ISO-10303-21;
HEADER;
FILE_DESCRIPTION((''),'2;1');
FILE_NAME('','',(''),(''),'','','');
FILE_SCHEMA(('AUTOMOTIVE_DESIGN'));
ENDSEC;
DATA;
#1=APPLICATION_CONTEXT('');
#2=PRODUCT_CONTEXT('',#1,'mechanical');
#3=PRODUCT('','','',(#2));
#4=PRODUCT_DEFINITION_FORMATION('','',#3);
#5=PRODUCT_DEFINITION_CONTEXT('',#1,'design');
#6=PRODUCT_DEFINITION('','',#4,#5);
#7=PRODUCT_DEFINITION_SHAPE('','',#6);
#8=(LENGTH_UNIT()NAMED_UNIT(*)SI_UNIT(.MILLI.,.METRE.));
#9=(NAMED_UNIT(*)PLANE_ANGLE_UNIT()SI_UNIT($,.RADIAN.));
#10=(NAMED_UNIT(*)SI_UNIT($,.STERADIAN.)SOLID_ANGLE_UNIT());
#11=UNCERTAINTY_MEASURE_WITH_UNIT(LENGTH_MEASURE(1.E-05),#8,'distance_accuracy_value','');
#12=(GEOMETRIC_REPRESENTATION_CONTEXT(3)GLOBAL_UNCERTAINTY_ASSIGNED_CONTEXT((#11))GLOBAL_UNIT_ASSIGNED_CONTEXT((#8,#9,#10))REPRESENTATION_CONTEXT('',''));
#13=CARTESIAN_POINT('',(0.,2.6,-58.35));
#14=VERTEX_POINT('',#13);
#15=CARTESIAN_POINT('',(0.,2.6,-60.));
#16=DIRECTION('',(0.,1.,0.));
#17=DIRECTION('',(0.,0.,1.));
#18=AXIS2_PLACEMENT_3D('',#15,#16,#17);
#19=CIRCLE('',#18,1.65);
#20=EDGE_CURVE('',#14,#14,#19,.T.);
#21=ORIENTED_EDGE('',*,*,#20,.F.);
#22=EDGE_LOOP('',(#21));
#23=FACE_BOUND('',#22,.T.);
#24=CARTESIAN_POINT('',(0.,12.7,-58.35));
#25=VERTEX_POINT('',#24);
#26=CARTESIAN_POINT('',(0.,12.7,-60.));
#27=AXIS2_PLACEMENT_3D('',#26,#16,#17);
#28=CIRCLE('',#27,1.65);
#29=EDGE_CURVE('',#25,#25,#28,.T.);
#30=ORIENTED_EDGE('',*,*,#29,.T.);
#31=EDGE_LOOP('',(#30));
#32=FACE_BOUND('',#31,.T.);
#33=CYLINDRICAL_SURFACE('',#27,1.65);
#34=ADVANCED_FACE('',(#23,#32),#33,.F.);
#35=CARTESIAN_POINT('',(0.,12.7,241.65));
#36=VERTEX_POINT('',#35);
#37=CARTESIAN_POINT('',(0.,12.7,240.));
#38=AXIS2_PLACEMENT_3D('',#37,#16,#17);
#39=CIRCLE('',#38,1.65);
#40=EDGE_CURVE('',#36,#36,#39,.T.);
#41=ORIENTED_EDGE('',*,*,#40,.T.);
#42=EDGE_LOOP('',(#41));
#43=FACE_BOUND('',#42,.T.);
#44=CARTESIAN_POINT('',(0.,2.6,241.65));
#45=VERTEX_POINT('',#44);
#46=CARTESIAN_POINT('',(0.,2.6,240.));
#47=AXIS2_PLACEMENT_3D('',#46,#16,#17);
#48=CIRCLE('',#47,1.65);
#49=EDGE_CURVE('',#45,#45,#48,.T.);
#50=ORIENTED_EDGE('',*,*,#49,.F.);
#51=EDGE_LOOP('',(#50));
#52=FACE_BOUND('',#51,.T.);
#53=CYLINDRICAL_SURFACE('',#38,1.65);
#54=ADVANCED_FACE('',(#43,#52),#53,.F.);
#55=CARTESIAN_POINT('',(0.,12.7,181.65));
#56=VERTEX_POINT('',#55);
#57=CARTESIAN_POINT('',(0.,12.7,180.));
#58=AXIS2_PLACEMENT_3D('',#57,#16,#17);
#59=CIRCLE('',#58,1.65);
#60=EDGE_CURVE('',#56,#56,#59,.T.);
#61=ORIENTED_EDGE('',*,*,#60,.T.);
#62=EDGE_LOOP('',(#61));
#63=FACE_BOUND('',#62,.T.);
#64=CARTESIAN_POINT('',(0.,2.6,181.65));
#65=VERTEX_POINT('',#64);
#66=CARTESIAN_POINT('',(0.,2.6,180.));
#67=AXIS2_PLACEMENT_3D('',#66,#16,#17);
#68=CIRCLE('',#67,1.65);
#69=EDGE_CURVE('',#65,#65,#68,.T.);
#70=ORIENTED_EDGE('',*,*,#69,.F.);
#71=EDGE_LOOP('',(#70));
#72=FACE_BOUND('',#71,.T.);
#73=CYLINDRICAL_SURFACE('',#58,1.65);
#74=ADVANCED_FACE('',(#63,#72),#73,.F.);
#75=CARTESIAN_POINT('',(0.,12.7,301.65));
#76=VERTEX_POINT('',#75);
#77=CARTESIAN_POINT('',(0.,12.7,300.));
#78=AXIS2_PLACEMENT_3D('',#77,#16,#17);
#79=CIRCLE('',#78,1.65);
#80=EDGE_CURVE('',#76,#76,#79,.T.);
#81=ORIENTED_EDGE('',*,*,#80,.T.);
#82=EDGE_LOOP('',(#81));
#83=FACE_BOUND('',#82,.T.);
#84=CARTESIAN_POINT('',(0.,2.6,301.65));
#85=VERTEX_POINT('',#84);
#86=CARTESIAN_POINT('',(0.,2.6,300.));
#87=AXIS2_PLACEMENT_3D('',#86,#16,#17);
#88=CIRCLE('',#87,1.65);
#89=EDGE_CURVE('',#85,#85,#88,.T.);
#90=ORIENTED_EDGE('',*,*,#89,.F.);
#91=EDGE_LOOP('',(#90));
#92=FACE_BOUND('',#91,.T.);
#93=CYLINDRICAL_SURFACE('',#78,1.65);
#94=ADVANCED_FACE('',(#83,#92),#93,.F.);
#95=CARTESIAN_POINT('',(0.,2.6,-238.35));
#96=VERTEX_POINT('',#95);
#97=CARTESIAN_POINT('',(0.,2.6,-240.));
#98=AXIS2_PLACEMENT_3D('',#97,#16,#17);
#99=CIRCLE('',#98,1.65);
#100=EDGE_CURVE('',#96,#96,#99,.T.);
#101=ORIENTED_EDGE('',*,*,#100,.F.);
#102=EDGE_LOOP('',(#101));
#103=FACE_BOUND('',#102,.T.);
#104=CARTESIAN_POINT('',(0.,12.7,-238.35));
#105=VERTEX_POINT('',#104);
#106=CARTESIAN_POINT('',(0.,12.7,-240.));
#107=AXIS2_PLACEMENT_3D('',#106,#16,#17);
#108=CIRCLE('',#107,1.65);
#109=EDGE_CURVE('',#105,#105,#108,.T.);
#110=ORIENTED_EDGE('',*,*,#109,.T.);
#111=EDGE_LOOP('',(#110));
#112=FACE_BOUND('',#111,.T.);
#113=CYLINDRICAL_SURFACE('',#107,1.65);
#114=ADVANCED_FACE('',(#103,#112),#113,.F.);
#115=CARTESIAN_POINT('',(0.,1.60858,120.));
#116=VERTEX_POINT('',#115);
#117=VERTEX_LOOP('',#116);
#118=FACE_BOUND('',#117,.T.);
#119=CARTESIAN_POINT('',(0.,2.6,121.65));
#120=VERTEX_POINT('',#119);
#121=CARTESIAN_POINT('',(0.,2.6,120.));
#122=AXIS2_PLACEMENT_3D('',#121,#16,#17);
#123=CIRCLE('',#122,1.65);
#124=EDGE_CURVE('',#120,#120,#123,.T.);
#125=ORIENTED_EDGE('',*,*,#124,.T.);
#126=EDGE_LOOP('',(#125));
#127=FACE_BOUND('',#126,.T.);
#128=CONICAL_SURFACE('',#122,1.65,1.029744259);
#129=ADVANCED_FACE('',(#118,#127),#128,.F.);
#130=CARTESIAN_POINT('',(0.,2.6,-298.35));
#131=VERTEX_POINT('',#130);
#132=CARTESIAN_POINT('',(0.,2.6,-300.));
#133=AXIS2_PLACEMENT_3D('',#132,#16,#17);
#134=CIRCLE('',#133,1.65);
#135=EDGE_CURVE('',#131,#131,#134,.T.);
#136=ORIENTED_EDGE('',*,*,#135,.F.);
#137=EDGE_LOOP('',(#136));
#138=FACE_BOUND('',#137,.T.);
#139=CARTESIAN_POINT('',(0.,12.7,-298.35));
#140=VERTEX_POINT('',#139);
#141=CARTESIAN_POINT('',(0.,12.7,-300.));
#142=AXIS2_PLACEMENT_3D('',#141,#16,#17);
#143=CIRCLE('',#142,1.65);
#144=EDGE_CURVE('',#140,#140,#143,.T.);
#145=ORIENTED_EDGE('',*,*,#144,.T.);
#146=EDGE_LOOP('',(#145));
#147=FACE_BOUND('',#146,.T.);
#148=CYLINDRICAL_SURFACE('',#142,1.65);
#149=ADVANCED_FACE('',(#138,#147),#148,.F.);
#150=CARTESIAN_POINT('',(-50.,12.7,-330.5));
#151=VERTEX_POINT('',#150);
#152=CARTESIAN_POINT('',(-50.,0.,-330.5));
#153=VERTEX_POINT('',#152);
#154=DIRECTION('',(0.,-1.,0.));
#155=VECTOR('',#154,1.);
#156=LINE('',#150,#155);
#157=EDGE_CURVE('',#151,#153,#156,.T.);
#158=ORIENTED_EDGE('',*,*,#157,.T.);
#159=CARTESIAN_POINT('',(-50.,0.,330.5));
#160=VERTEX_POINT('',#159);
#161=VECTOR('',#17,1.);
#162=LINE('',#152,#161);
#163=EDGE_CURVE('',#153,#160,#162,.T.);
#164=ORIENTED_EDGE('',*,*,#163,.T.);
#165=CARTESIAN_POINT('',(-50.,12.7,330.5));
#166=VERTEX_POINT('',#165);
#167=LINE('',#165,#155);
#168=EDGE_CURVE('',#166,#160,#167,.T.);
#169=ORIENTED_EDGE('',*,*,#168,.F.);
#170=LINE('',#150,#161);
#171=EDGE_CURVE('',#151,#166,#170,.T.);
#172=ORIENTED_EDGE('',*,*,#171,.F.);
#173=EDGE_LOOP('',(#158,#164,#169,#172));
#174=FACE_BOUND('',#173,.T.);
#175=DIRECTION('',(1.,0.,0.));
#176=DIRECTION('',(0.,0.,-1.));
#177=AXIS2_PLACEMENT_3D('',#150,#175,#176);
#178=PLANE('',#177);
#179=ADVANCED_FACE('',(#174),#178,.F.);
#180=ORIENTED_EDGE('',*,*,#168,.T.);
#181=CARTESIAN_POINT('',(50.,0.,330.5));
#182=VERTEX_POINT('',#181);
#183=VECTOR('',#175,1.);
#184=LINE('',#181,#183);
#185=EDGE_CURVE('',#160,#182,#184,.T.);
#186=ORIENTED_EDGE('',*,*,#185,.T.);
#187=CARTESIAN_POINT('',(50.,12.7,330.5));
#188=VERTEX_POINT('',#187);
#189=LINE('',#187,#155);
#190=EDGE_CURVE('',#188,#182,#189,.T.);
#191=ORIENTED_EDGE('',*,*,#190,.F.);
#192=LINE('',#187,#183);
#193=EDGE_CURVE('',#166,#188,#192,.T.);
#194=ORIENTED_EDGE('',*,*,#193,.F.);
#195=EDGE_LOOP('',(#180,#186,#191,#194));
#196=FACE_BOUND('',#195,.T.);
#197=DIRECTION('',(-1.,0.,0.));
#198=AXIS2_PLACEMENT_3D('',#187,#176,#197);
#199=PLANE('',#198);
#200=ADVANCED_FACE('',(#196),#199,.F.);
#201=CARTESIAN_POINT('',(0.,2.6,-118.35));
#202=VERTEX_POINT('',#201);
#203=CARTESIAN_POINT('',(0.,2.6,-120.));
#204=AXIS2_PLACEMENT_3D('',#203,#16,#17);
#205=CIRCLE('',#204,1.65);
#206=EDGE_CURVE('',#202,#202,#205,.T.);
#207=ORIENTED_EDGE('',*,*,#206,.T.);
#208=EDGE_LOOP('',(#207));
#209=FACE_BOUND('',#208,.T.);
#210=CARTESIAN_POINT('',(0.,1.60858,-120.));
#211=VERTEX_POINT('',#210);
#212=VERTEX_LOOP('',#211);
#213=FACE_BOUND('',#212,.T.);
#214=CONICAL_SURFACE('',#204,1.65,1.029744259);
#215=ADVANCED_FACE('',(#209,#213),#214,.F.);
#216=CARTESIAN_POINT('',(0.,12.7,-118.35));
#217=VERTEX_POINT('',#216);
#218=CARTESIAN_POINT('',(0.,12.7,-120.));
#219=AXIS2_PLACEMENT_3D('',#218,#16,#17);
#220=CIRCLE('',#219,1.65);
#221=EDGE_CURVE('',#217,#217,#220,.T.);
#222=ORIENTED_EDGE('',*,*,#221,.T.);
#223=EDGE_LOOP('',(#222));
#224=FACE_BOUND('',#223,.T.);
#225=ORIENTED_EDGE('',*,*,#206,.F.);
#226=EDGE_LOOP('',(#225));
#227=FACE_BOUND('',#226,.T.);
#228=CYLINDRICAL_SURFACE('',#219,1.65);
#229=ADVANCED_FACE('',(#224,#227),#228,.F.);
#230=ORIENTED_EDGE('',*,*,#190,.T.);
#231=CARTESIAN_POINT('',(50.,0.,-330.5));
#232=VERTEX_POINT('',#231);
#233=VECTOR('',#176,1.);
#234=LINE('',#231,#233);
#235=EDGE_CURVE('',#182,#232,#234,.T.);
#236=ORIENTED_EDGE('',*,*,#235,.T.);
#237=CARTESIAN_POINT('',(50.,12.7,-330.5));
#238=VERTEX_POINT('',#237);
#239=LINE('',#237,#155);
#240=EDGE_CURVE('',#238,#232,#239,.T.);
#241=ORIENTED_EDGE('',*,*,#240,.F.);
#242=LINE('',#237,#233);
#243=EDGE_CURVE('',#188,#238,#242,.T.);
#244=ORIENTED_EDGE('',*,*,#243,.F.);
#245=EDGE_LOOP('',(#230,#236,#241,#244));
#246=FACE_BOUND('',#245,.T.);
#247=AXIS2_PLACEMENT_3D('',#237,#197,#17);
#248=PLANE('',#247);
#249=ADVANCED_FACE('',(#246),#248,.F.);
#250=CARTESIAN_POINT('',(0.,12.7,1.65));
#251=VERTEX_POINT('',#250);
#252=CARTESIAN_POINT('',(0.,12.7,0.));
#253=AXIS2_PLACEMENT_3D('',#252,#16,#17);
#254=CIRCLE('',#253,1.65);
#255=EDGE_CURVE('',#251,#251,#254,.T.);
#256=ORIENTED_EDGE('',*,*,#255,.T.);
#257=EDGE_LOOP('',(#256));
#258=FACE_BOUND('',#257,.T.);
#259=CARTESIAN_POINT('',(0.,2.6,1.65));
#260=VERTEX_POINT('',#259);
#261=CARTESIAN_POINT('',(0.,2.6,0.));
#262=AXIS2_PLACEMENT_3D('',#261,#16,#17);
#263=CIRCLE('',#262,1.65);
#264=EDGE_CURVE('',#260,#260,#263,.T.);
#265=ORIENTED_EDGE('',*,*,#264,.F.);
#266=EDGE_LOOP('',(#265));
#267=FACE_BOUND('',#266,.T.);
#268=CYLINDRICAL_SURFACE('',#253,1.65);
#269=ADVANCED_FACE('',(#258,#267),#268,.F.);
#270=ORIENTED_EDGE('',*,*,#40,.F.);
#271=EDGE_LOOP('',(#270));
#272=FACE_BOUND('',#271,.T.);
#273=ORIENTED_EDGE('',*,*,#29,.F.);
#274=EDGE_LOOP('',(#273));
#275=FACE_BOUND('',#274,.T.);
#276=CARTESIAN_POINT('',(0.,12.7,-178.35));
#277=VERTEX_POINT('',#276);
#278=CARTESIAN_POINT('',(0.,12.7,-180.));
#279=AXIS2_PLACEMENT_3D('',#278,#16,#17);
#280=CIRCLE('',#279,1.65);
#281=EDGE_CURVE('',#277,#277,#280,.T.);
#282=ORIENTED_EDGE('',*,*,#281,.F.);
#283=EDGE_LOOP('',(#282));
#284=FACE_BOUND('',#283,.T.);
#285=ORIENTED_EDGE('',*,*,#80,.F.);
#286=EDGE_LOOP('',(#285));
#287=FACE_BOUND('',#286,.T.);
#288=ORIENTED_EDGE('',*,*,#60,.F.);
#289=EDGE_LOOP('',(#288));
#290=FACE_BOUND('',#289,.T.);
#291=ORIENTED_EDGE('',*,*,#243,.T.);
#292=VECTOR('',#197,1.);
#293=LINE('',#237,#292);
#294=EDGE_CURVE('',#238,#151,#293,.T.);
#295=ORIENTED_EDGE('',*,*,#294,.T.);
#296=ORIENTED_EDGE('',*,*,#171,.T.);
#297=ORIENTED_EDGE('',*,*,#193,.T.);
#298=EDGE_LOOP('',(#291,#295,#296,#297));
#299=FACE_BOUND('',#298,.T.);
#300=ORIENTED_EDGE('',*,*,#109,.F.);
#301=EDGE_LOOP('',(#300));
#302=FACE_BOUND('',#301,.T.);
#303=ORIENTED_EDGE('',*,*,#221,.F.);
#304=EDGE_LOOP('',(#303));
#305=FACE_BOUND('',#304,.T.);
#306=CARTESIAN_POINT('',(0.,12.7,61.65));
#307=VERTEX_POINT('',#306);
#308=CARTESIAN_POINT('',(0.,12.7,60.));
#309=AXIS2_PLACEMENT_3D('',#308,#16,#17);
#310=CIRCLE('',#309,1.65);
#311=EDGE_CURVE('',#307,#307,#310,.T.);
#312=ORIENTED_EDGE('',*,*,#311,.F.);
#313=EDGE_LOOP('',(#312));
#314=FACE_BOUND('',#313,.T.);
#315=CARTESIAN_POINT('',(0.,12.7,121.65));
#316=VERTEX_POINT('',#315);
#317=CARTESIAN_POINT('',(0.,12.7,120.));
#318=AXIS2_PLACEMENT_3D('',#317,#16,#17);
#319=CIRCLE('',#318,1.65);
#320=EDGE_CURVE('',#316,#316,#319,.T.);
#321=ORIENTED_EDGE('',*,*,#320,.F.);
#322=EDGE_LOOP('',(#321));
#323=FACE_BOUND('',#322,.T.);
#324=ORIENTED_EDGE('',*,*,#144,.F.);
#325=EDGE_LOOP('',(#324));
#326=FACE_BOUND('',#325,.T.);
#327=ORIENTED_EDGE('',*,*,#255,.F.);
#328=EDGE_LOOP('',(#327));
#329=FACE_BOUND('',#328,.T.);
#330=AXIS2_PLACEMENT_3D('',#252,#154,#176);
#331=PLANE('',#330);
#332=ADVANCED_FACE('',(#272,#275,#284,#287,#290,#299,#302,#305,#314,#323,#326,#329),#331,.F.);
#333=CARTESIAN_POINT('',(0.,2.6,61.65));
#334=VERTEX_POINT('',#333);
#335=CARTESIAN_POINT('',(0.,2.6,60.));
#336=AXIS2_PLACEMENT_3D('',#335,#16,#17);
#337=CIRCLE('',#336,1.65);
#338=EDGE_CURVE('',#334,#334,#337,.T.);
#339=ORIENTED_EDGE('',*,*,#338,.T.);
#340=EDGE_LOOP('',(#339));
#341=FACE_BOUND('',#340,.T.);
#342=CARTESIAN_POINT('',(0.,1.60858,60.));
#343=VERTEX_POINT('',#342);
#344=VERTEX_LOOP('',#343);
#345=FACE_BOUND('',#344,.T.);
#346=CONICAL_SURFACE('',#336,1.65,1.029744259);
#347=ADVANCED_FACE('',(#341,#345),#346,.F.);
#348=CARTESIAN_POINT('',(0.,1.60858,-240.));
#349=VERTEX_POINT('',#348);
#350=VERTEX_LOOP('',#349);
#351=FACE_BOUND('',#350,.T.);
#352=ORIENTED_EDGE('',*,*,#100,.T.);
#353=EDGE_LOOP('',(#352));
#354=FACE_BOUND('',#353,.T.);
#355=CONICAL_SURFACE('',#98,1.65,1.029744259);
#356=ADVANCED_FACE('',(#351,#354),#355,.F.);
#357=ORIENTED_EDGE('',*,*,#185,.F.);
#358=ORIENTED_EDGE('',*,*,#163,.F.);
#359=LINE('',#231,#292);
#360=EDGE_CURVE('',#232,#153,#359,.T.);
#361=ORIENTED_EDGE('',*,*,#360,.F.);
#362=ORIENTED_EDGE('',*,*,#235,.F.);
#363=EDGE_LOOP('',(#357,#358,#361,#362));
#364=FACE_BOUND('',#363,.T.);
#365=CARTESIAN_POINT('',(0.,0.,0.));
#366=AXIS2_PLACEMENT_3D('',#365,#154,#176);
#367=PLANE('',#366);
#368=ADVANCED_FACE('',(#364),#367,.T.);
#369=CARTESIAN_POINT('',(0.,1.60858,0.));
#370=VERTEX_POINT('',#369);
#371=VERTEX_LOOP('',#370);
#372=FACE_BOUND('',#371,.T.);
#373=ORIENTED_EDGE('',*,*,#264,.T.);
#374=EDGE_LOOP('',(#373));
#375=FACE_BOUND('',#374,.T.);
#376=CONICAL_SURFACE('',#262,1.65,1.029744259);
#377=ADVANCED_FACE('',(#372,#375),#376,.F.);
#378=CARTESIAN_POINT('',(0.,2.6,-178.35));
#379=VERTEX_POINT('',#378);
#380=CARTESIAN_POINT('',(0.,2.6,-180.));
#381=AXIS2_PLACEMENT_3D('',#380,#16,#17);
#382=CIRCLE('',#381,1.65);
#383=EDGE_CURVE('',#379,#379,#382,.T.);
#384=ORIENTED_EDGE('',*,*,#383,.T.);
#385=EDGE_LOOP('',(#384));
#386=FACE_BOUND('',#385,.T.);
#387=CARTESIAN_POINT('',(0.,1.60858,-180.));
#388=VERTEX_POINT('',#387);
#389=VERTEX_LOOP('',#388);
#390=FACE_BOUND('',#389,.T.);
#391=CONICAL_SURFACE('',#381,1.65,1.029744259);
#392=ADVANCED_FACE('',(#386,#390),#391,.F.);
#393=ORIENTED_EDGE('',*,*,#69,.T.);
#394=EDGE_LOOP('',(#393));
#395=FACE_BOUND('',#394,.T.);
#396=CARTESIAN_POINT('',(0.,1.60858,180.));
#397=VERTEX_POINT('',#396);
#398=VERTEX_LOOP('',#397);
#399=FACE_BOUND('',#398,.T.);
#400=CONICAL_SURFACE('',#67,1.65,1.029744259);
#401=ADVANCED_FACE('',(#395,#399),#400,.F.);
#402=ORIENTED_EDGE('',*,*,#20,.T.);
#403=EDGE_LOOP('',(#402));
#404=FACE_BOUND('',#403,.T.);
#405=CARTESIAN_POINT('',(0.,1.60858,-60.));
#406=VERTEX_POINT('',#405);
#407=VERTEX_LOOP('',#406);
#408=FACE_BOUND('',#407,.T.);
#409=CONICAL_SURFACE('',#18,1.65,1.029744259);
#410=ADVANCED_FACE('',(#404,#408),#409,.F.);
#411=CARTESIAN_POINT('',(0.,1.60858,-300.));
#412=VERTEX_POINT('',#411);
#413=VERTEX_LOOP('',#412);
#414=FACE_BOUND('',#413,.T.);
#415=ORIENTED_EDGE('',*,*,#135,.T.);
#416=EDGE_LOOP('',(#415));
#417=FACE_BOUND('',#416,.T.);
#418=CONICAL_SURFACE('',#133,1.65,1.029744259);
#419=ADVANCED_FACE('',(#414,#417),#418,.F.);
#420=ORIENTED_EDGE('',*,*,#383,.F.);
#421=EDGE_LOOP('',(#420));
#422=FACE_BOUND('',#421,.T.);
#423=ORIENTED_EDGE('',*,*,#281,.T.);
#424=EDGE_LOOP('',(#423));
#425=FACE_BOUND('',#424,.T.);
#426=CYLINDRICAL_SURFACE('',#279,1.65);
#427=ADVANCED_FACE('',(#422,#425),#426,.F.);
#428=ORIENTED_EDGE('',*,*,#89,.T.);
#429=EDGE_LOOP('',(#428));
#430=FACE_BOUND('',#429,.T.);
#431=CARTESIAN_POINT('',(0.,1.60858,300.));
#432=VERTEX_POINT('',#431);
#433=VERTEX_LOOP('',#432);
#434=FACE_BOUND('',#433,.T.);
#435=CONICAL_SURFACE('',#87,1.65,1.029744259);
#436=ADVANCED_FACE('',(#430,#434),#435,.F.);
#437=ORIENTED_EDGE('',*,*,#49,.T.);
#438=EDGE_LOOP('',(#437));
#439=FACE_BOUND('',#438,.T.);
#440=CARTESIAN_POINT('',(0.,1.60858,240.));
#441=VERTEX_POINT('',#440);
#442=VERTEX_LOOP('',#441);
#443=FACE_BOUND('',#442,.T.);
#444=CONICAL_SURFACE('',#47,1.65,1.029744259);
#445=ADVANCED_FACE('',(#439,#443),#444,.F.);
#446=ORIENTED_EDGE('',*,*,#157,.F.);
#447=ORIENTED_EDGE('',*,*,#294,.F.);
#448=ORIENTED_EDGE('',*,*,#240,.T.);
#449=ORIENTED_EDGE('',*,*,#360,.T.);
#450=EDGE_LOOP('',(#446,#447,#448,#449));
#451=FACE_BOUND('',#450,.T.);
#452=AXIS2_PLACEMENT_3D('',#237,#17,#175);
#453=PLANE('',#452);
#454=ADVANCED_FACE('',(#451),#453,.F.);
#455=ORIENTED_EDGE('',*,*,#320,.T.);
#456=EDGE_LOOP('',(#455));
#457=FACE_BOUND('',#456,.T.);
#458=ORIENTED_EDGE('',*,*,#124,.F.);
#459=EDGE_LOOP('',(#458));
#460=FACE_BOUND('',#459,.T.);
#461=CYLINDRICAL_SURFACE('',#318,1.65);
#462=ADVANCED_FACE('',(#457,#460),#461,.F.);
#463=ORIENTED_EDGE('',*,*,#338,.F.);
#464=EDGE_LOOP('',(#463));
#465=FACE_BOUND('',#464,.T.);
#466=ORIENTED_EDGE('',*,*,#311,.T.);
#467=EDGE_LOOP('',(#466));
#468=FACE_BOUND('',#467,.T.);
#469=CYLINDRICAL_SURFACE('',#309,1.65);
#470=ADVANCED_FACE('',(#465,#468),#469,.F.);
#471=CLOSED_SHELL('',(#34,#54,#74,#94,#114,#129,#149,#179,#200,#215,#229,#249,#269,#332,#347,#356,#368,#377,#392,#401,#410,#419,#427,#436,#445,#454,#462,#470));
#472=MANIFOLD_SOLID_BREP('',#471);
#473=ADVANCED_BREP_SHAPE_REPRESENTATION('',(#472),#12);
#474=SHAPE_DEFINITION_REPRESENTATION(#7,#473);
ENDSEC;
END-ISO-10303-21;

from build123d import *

# Parameters (mm, degrees)
SKETCH2_W                 = 100
SKETCH2_H                 = 661
BOSS_EXTRUDE1_DEPTH       = 12.7
M4X0_7_TAPPED_HOLE1_D     = 3.3
M4X0_7_TAPPED_HOLE1_DEPTH = 10.1
M4X0_7_TAPPED_HOLE1_TIP   = 0.991420021


with BuildPart() as part:
    # Sketch2 → Boss-Extrude1 (new body)
    with BuildSketch(Plane(origin=(0, 0, 0), x_dir=(1, 0, 0), z_dir=(0, 1, 0))):
        Rectangle(SKETCH2_W, SKETCH2_H)
    extrude(amount=BOSS_EXTRUDE1_DEPTH)

    # M4x0.7 Tapped Hole1
    with Locations(Plane(origin=(0, 12.7, 0), x_dir=(1, 0, 0), z_dir=(0, 1, 0))):
        with Locations((0, -300), (0, -240), (0, -180), (0, -120), (0, -60), (0, 0), (0, 60), (0, 120), (0, 180), (0, 240), (0, 300)):
            Hole(M4X0_7_TAPPED_HOLE1_D / 2, depth=M4X0_7_TAPPED_HOLE1_DEPTH)
            with Locations((0, 0, -(M4X0_7_TAPPED_HOLE1_DEPTH + M4X0_7_TAPPED_HOLE1_TIP / 2))):  # 118° drill point
                Cone(0, M4X0_7_TAPPED_HOLE1_D / 2, M4X0_7_TAPPED_HOLE1_TIP, mode=Mode.SUBTRACT)


solid = part.part
